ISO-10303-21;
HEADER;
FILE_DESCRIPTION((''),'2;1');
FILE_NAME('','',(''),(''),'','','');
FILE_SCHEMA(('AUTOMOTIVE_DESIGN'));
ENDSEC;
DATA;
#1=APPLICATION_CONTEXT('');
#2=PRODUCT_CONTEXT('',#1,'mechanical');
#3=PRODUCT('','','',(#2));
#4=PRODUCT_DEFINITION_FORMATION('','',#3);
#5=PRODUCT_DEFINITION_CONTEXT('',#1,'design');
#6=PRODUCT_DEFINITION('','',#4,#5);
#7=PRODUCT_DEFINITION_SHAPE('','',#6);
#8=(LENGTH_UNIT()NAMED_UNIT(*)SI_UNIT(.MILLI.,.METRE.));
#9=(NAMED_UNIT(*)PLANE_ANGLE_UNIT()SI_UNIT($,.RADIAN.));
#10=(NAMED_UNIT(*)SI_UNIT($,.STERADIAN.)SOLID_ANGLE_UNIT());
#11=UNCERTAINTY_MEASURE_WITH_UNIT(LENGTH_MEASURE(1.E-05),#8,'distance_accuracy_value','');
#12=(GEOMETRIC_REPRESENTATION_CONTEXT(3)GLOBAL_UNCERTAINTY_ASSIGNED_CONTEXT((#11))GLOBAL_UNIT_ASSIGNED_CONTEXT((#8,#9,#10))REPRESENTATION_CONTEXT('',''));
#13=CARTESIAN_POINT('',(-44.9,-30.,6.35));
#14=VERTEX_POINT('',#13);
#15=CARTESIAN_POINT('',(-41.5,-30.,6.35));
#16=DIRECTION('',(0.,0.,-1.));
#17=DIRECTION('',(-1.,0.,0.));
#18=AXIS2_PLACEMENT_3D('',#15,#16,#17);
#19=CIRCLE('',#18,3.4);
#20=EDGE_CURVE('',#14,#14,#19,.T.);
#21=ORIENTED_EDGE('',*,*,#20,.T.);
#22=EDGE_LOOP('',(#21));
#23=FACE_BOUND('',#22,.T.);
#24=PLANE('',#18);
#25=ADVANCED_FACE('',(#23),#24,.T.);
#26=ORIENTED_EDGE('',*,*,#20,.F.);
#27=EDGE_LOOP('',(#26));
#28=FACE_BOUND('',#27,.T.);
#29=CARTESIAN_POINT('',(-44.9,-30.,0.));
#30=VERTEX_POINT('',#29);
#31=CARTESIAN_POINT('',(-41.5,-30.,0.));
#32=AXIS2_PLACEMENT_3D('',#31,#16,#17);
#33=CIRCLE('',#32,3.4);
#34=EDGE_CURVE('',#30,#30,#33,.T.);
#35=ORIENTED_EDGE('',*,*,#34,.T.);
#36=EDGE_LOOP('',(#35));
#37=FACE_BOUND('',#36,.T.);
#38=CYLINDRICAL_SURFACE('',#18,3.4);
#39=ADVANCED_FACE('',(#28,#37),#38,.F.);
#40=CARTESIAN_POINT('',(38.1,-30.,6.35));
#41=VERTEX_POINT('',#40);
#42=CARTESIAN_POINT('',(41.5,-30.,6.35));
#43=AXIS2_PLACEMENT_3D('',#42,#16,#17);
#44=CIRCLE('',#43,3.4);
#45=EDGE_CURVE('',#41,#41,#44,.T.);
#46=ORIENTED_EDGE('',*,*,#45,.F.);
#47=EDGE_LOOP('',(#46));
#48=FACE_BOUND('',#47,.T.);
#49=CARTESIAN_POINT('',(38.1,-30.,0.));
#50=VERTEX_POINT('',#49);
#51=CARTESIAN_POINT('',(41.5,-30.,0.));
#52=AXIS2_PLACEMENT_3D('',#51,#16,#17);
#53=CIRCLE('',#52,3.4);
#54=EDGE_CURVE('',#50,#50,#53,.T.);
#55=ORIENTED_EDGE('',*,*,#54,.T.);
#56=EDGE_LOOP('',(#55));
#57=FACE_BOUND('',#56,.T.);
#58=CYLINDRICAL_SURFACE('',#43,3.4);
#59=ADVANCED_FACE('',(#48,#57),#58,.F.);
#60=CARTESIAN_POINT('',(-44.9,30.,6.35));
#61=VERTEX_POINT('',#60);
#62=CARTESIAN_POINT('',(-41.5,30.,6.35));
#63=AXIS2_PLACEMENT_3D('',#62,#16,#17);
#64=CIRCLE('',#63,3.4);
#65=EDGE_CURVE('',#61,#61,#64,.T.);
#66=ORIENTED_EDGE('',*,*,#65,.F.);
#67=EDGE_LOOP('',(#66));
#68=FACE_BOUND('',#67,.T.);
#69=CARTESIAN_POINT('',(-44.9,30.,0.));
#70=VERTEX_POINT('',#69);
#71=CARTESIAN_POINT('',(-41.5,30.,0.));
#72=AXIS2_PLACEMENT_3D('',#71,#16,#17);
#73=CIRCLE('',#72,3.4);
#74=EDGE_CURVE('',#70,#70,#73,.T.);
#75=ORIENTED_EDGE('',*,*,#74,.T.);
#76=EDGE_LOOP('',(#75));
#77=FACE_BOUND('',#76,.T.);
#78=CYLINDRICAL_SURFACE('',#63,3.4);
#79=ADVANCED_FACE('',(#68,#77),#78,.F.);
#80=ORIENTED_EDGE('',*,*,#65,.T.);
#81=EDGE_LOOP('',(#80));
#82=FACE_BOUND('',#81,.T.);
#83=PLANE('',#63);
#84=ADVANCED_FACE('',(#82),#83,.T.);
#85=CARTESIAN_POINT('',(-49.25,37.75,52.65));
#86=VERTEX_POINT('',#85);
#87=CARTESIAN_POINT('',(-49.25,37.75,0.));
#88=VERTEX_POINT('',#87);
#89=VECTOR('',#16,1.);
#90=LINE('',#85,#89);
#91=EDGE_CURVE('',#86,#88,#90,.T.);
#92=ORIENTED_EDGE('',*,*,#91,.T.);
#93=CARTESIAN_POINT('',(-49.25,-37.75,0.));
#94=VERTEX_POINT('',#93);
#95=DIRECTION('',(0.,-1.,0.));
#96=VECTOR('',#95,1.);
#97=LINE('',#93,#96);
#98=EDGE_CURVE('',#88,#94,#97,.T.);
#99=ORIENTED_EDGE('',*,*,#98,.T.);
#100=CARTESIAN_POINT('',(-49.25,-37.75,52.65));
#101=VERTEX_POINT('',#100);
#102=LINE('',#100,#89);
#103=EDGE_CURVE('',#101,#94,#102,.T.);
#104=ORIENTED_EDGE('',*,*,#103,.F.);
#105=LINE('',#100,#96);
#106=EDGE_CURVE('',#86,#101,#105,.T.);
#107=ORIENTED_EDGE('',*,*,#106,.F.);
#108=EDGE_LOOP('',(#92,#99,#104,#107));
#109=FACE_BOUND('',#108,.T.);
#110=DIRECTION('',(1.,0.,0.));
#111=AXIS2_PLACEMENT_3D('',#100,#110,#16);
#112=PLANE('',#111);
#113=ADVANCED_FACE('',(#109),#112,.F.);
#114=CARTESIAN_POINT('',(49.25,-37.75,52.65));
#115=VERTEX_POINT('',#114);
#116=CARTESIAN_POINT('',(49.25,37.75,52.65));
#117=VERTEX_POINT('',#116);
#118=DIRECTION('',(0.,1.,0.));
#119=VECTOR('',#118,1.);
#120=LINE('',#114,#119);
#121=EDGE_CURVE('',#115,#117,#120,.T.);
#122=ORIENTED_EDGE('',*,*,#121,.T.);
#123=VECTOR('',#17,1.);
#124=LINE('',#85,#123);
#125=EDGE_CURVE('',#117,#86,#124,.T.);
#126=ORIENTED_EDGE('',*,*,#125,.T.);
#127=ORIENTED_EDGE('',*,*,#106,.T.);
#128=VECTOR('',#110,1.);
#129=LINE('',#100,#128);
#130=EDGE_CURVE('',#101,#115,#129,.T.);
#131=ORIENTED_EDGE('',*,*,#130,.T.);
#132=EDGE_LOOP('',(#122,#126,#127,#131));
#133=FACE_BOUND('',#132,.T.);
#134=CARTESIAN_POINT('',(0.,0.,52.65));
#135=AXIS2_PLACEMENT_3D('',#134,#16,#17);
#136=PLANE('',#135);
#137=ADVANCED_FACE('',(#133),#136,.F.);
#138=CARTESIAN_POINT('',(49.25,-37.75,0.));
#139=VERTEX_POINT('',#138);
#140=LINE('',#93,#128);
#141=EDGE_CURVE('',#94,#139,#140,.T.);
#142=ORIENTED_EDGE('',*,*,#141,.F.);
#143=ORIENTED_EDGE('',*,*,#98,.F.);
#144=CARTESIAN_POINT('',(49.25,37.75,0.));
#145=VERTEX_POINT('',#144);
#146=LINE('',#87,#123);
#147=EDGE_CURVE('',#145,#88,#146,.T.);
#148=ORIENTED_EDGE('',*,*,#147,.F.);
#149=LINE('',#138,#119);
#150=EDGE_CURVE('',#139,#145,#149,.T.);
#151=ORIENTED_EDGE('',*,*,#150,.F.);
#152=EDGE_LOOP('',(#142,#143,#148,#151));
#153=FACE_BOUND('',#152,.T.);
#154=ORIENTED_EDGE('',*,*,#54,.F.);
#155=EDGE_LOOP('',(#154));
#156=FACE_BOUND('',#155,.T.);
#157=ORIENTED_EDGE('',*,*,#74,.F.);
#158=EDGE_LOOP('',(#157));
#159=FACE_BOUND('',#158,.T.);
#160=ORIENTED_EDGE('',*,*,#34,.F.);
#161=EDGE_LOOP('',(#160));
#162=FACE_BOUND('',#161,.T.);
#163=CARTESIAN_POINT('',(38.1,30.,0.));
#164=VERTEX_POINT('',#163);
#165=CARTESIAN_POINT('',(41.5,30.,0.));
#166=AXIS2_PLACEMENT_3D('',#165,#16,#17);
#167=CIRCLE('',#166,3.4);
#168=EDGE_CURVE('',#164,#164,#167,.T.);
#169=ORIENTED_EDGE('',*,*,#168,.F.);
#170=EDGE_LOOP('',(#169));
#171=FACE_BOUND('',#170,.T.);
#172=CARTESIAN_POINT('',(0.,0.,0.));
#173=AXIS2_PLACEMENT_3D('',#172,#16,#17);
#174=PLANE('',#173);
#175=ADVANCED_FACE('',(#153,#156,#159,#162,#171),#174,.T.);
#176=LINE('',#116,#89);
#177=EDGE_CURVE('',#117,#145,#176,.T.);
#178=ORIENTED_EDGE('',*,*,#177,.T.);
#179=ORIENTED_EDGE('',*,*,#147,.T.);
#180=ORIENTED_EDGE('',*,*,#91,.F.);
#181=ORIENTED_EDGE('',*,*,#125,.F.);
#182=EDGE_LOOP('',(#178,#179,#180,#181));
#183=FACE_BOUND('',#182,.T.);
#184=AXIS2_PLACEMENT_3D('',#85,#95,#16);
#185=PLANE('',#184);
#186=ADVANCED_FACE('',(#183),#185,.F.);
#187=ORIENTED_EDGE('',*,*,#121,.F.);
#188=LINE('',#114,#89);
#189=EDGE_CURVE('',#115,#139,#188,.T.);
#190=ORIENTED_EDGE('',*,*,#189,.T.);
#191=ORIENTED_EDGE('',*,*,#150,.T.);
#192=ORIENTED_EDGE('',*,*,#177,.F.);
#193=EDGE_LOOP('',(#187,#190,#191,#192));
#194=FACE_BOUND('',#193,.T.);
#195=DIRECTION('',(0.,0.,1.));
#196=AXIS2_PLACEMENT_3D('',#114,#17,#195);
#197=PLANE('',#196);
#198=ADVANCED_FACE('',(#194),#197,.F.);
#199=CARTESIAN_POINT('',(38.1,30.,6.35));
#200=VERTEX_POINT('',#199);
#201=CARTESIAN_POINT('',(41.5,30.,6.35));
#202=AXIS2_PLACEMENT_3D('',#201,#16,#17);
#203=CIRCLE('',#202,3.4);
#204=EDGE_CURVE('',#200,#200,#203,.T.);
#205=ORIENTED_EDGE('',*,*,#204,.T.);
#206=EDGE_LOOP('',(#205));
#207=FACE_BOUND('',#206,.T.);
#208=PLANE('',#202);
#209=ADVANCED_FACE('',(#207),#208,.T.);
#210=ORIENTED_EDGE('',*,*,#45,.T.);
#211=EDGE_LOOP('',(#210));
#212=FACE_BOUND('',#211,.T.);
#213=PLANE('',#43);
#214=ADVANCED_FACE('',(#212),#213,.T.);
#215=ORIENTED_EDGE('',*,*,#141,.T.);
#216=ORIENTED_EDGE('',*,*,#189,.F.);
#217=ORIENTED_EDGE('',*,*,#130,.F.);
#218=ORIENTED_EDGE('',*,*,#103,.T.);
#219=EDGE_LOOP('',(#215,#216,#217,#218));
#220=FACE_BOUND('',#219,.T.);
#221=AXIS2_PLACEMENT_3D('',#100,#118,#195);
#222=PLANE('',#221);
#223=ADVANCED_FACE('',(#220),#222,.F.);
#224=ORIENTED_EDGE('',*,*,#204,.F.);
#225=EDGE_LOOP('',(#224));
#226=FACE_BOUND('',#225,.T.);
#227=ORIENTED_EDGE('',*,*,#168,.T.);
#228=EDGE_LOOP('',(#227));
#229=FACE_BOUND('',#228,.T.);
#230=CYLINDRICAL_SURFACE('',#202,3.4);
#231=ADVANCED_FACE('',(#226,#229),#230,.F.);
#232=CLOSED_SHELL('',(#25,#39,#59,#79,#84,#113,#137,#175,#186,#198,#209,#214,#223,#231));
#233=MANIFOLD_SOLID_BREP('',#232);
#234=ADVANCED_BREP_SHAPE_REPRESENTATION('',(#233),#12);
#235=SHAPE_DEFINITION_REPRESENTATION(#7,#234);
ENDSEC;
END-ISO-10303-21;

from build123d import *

# Parameters (mm, degrees)
SKETCH1_W           = 98.5
SKETCH1_H           = 75.5
BOSS_EXTRUDE1_DEPTH = 52.65
SKETCH2_R           = 3.4
CUT_EXTRUDE1_DEPTH  = 6.35


with BuildPart() as part:
    # Sketch1 → Boss-Extrude1 (new body)
    with BuildSketch(Plane.XY):
        Rectangle(SKETCH1_W, SKETCH1_H)
    extrude(amount=BOSS_EXTRUDE1_DEPTH)

    # Sketch2 → Cut-Extrude1 (cut)
    with BuildSketch(Plane(origin=(0, 0, 0), x_dir=(-1, 0, 0), z_dir=(0, 0, -1))):
        with Locations((-41.5, 30)):
            Circle(SKETCH2_R)
        with Locations((-41.5, -30)):
            Circle(SKETCH2_R)
        with Locations((41.5, 30)):
            Circle(SKETCH2_R)
        with Locations((41.5, -30)):
            Circle(SKETCH2_R)
    extrude(amount=-CUT_EXTRUDE1_DEPTH, mode=Mode.SUBTRACT)


solid = part.part
